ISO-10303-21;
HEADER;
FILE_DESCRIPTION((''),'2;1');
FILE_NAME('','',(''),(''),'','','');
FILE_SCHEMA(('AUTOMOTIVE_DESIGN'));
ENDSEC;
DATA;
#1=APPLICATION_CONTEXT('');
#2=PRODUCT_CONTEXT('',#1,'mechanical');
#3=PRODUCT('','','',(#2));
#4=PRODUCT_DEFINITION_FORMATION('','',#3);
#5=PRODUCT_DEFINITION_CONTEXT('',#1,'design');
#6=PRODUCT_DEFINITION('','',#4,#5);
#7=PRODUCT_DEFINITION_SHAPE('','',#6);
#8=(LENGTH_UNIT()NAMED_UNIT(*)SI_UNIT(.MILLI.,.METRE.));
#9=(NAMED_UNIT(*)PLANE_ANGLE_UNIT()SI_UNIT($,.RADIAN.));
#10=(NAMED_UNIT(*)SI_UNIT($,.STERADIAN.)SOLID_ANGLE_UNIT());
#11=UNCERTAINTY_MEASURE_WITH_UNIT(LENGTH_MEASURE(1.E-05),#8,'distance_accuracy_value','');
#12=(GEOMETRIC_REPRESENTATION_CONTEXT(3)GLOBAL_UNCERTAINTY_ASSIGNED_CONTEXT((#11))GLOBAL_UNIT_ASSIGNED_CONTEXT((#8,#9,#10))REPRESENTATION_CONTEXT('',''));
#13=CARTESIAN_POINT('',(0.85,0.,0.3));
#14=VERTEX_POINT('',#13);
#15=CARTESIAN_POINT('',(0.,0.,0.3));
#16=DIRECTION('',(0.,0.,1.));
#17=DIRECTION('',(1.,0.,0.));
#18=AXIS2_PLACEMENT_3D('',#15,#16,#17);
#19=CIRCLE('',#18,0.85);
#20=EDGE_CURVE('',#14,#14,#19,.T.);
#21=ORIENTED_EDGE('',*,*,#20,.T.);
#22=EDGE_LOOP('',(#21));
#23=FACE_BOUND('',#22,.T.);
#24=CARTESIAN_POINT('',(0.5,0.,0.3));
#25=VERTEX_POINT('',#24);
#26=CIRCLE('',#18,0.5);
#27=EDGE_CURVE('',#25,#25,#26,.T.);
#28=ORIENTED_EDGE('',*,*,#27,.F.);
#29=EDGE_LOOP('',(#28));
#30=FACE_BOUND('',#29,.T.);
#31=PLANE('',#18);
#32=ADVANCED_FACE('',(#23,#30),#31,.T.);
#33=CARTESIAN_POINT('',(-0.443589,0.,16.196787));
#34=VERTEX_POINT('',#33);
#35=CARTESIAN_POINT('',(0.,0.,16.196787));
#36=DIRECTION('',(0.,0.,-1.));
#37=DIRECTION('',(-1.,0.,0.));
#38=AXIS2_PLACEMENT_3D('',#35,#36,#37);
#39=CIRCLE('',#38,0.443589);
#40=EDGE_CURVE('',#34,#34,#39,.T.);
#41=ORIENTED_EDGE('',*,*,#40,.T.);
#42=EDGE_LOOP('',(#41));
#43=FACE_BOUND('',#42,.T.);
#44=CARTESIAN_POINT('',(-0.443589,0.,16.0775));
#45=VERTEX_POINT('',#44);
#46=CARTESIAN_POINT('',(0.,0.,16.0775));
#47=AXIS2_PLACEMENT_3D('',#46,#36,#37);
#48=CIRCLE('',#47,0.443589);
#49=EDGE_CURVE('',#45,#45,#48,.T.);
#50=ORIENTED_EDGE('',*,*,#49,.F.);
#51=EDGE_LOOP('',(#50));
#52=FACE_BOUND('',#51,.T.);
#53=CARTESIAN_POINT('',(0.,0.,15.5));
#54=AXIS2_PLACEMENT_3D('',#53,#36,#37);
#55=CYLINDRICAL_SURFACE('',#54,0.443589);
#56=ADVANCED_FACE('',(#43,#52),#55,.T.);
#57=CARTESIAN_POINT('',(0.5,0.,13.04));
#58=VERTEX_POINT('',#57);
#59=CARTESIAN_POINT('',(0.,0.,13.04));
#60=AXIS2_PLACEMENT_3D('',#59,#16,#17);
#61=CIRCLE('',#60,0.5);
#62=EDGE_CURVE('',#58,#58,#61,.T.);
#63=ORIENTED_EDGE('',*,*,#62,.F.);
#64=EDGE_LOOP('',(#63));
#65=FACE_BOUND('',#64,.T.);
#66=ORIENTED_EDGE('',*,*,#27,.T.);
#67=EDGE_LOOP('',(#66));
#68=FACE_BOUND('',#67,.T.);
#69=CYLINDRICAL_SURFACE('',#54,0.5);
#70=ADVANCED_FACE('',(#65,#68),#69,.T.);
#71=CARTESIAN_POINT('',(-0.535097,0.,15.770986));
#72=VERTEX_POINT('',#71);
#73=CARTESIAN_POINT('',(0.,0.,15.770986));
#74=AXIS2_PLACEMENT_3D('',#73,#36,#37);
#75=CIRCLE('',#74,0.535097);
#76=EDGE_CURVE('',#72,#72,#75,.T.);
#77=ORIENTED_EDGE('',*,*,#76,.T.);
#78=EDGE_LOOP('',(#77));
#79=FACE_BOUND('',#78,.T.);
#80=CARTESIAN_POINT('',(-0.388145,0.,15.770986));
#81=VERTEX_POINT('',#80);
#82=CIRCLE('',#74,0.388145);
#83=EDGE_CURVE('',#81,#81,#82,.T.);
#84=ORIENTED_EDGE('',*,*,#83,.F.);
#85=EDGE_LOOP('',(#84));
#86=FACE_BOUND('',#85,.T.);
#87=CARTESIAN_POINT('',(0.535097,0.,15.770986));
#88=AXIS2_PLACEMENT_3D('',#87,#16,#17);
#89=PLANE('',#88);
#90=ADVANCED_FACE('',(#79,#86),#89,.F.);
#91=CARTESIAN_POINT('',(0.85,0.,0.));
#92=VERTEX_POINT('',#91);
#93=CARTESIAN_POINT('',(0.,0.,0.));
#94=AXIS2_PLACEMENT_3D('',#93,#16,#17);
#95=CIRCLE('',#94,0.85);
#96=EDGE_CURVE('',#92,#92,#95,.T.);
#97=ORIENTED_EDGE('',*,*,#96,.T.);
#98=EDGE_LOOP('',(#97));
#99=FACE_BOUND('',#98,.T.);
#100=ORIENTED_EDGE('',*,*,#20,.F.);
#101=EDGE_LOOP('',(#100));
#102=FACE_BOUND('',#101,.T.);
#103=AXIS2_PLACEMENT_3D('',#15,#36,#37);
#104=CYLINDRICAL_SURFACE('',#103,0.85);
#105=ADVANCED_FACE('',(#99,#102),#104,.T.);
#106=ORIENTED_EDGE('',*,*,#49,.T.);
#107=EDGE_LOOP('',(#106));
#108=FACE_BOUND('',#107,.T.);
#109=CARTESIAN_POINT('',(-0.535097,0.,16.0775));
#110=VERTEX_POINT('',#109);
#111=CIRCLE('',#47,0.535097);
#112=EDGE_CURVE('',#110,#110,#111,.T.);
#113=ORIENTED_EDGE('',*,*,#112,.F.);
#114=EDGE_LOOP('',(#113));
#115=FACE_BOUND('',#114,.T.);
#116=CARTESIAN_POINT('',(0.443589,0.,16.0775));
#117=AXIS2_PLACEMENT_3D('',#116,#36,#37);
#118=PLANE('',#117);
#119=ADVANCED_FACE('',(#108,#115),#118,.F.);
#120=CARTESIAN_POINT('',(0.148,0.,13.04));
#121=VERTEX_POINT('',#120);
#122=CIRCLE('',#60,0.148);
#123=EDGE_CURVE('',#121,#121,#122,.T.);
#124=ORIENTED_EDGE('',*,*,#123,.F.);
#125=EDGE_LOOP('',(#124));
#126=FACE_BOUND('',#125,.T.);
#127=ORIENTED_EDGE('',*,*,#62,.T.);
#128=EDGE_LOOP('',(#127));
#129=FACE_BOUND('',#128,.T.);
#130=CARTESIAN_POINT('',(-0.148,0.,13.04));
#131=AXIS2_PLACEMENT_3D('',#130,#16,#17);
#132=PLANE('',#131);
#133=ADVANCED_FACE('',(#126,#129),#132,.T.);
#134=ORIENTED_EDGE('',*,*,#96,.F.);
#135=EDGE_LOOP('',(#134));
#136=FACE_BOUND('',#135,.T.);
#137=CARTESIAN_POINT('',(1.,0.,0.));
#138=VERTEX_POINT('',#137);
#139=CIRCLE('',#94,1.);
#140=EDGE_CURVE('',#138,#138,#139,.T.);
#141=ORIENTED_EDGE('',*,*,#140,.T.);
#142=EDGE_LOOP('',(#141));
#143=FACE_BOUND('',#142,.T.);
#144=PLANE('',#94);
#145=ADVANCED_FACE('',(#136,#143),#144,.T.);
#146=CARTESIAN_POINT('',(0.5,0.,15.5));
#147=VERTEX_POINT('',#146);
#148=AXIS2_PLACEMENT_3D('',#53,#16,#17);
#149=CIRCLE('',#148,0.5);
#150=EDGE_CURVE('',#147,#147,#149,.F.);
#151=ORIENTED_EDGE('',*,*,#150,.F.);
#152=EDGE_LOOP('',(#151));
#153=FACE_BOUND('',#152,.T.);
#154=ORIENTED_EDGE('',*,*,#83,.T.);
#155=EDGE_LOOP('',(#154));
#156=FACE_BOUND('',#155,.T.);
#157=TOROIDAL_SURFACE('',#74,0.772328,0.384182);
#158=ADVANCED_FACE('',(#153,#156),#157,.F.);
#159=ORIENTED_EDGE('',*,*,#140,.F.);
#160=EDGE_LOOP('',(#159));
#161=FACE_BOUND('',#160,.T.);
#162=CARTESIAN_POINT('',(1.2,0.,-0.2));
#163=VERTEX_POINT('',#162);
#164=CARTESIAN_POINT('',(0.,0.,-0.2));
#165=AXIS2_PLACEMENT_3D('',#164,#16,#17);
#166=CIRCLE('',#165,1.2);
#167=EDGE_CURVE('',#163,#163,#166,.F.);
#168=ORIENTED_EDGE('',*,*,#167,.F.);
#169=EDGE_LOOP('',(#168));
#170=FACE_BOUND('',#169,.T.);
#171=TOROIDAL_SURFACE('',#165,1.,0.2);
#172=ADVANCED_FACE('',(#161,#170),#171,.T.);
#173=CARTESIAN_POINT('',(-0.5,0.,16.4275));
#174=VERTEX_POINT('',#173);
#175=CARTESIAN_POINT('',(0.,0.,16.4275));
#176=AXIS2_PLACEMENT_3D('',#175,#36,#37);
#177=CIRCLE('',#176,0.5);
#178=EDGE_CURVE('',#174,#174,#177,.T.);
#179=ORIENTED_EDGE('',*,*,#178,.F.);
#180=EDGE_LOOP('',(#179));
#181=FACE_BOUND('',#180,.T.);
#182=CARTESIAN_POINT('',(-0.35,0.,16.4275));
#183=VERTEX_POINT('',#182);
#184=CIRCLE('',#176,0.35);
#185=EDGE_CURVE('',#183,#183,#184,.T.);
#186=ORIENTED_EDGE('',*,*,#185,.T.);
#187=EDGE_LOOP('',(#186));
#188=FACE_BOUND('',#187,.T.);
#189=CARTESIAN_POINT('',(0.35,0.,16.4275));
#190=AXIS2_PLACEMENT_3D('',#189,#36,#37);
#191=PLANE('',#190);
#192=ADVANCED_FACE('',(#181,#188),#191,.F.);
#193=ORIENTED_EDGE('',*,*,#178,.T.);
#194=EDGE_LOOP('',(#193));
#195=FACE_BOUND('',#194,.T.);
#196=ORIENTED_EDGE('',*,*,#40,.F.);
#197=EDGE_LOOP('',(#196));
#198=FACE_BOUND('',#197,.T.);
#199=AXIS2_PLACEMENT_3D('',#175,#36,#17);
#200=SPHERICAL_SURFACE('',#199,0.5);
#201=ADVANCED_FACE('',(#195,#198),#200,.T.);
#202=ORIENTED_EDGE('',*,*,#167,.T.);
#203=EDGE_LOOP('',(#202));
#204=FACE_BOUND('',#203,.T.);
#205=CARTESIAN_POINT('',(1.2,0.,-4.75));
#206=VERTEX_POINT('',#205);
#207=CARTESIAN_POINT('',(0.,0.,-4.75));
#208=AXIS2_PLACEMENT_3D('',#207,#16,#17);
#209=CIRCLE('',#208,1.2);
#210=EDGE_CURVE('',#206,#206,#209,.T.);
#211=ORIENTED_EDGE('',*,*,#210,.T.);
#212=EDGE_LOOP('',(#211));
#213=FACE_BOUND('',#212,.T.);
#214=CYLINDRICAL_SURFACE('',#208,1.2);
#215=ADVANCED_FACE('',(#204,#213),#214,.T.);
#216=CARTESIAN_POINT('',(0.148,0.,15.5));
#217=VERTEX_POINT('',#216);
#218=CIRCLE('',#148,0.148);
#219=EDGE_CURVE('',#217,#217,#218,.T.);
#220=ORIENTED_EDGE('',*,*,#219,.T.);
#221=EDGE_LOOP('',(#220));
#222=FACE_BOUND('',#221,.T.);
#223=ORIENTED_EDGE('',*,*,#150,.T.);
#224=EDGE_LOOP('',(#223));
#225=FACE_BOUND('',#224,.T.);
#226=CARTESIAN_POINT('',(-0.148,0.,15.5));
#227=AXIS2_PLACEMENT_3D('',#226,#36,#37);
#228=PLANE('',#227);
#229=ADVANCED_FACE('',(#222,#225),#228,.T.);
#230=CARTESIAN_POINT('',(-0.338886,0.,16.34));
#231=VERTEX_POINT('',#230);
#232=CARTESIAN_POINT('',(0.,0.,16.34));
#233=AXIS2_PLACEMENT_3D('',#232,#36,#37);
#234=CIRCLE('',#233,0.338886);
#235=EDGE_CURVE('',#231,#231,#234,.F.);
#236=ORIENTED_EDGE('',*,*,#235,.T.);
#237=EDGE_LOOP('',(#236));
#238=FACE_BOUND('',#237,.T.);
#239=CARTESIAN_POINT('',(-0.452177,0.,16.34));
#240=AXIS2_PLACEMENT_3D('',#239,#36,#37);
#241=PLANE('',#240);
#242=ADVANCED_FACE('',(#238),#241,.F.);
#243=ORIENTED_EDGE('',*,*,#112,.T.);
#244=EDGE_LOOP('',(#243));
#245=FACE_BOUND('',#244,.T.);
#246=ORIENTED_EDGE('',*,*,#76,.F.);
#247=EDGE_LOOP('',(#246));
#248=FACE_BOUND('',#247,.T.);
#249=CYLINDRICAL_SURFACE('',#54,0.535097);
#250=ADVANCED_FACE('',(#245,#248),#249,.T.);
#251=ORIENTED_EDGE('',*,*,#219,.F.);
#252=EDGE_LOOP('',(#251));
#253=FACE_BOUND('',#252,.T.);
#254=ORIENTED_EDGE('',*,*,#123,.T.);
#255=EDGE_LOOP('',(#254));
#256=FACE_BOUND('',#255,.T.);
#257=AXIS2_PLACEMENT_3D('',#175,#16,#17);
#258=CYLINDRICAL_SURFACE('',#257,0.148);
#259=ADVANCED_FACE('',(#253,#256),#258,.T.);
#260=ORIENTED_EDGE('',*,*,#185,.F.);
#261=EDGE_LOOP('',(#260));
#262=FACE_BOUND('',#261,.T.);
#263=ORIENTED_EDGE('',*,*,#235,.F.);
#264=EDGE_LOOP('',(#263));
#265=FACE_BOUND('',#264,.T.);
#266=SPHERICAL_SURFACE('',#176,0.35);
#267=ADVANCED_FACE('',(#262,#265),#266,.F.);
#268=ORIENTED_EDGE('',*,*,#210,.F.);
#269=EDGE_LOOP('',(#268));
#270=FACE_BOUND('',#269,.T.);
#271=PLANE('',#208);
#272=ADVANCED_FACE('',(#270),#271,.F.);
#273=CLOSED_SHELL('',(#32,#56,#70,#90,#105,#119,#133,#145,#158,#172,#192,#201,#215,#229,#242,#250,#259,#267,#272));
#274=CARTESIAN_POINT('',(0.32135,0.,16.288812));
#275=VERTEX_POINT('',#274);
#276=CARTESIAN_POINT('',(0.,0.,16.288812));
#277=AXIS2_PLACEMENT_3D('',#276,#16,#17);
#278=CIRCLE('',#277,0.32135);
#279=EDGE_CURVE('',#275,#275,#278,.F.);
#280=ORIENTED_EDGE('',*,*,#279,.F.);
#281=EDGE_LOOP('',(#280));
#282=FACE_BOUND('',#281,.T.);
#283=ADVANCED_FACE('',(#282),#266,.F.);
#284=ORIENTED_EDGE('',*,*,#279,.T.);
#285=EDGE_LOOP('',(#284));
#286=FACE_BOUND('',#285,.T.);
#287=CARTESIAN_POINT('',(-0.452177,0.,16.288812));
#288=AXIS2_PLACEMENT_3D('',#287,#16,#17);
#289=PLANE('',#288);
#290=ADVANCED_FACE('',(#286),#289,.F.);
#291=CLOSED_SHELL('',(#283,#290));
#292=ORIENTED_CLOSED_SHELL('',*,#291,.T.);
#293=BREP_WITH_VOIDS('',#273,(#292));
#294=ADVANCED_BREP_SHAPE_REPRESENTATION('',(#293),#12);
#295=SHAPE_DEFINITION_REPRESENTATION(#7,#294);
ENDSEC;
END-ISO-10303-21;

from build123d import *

# Parameters (mm, degrees)
SKETCH1_R           = 0.5
BOSS_EXTRUDE2_DEPTH = 15.5
SKETCH1_3_R         = 1.2
BOSS_EXTRUDE3_DEPTH = 4.75
FILLET1_R           = 0.2
SKETCH2_R           = 0.85
BOSS_EXTRUDE4_DEPTH = 0.3
SKETCH4_W           = 0.452177067
SKETCH4_H           = 0.051188015
SKETCH5_W           = 2.336260119
SKETCH5_H           = 2.46


with BuildPart() as part:
    # Sketch1 → Boss-Extrude2 (new body)
    with BuildSketch(Plane.XY):
        Circle(SKETCH1_R)
    extrude(amount=BOSS_EXTRUDE2_DEPTH)



with BuildPart() as body_2:
    # Sketch1<3> → Boss-Extrude3 (new body)
    with BuildSketch(Plane.XY):
        Circle(SKETCH1_3_R)
    extrude(amount=-BOSS_EXTRUDE3_DEPTH)

    # Fillet1
    fillet1_edges = [body_2.edges().sort_by_distance(p)[0] for p in [
        (-1.2, 0, 0),
    ]]
    fillet(fillet1_edges, radius=FILLET1_R)


with BuildPart() as part_1:
    add(part.part)

    add(body_2.part)  # Boss-Extrude4 merges body 2
    # Sketch2 → Boss-Extrude4 (add)
    with BuildSketch(Plane.XY):
        Circle(SKETCH2_R)
    extrude(amount=BOSS_EXTRUDE4_DEPTH)

    # Sketch3 → Revolve1 (revolve)
    with BuildSketch(Plane(origin=(0, 0, 0), x_dir=(1, 0, 0), z_dir=(0, 1, 0))):
        with BuildLine():
            Line((0.5, -15.5), (0, -15.5))
            Line((0, -15.5), (0, -16.0775))
            ThreePointArc((0, -16.0775), (0.247487373, -16.180012627), (0.35, -16.4275))
            Line((0.35, -16.4275), (0.5, -16.4275))
            ThreePointArc((0.5, -16.4275), (0.485692665, -16.308745486), (0.443589461, -16.196787213))
            Line((0.443589461, -16.196787213), (0.443589461, -16.0775))
            Line((0.443589461, -16.0775), (0.535097449, -16.0775))
            Line((0.535097449, -16.0775), (0.535097449, -15.770986484))
            Line((0.535097449, -15.770986484), (0.388145342, -15.770986484))
            ThreePointArc((0.388145342, -15.770986484), (0.417208297, -15.624404477), (0.5, -15.5))
        make_face()
    revolve(axis=Axis((0, 0, 15.5), (0, 0, 1)))

    # Sketch4 → Revolve2 (revolve)
    with BuildSketch(Plane(origin=(0, 0, 0), x_dir=(1, 0, 0), z_dir=(0, 1, 0))):
        with Locations((-0.226088534, -16.314405992)):
            Rectangle(SKETCH4_W, SKETCH4_H)
    revolve(axis=Axis((0, 0, 16.34), (0, 0, -1)))

    # Sketch5 → Cut-Revolve1 (revolve, cut)
    with BuildSketch(Plane(origin=(0, 0, 0), x_dir=(1, 0, 0), z_dir=(0, 1, 0))):
        with Locations((-1.31613006, -14.27)):
            Rectangle(SKETCH5_W, SKETCH5_H)
    revolve(axis=Axis((0, 0, 16.4275), (0, 0, -1)), mode=Mode.SUBTRACT)


solid = part_1.part
